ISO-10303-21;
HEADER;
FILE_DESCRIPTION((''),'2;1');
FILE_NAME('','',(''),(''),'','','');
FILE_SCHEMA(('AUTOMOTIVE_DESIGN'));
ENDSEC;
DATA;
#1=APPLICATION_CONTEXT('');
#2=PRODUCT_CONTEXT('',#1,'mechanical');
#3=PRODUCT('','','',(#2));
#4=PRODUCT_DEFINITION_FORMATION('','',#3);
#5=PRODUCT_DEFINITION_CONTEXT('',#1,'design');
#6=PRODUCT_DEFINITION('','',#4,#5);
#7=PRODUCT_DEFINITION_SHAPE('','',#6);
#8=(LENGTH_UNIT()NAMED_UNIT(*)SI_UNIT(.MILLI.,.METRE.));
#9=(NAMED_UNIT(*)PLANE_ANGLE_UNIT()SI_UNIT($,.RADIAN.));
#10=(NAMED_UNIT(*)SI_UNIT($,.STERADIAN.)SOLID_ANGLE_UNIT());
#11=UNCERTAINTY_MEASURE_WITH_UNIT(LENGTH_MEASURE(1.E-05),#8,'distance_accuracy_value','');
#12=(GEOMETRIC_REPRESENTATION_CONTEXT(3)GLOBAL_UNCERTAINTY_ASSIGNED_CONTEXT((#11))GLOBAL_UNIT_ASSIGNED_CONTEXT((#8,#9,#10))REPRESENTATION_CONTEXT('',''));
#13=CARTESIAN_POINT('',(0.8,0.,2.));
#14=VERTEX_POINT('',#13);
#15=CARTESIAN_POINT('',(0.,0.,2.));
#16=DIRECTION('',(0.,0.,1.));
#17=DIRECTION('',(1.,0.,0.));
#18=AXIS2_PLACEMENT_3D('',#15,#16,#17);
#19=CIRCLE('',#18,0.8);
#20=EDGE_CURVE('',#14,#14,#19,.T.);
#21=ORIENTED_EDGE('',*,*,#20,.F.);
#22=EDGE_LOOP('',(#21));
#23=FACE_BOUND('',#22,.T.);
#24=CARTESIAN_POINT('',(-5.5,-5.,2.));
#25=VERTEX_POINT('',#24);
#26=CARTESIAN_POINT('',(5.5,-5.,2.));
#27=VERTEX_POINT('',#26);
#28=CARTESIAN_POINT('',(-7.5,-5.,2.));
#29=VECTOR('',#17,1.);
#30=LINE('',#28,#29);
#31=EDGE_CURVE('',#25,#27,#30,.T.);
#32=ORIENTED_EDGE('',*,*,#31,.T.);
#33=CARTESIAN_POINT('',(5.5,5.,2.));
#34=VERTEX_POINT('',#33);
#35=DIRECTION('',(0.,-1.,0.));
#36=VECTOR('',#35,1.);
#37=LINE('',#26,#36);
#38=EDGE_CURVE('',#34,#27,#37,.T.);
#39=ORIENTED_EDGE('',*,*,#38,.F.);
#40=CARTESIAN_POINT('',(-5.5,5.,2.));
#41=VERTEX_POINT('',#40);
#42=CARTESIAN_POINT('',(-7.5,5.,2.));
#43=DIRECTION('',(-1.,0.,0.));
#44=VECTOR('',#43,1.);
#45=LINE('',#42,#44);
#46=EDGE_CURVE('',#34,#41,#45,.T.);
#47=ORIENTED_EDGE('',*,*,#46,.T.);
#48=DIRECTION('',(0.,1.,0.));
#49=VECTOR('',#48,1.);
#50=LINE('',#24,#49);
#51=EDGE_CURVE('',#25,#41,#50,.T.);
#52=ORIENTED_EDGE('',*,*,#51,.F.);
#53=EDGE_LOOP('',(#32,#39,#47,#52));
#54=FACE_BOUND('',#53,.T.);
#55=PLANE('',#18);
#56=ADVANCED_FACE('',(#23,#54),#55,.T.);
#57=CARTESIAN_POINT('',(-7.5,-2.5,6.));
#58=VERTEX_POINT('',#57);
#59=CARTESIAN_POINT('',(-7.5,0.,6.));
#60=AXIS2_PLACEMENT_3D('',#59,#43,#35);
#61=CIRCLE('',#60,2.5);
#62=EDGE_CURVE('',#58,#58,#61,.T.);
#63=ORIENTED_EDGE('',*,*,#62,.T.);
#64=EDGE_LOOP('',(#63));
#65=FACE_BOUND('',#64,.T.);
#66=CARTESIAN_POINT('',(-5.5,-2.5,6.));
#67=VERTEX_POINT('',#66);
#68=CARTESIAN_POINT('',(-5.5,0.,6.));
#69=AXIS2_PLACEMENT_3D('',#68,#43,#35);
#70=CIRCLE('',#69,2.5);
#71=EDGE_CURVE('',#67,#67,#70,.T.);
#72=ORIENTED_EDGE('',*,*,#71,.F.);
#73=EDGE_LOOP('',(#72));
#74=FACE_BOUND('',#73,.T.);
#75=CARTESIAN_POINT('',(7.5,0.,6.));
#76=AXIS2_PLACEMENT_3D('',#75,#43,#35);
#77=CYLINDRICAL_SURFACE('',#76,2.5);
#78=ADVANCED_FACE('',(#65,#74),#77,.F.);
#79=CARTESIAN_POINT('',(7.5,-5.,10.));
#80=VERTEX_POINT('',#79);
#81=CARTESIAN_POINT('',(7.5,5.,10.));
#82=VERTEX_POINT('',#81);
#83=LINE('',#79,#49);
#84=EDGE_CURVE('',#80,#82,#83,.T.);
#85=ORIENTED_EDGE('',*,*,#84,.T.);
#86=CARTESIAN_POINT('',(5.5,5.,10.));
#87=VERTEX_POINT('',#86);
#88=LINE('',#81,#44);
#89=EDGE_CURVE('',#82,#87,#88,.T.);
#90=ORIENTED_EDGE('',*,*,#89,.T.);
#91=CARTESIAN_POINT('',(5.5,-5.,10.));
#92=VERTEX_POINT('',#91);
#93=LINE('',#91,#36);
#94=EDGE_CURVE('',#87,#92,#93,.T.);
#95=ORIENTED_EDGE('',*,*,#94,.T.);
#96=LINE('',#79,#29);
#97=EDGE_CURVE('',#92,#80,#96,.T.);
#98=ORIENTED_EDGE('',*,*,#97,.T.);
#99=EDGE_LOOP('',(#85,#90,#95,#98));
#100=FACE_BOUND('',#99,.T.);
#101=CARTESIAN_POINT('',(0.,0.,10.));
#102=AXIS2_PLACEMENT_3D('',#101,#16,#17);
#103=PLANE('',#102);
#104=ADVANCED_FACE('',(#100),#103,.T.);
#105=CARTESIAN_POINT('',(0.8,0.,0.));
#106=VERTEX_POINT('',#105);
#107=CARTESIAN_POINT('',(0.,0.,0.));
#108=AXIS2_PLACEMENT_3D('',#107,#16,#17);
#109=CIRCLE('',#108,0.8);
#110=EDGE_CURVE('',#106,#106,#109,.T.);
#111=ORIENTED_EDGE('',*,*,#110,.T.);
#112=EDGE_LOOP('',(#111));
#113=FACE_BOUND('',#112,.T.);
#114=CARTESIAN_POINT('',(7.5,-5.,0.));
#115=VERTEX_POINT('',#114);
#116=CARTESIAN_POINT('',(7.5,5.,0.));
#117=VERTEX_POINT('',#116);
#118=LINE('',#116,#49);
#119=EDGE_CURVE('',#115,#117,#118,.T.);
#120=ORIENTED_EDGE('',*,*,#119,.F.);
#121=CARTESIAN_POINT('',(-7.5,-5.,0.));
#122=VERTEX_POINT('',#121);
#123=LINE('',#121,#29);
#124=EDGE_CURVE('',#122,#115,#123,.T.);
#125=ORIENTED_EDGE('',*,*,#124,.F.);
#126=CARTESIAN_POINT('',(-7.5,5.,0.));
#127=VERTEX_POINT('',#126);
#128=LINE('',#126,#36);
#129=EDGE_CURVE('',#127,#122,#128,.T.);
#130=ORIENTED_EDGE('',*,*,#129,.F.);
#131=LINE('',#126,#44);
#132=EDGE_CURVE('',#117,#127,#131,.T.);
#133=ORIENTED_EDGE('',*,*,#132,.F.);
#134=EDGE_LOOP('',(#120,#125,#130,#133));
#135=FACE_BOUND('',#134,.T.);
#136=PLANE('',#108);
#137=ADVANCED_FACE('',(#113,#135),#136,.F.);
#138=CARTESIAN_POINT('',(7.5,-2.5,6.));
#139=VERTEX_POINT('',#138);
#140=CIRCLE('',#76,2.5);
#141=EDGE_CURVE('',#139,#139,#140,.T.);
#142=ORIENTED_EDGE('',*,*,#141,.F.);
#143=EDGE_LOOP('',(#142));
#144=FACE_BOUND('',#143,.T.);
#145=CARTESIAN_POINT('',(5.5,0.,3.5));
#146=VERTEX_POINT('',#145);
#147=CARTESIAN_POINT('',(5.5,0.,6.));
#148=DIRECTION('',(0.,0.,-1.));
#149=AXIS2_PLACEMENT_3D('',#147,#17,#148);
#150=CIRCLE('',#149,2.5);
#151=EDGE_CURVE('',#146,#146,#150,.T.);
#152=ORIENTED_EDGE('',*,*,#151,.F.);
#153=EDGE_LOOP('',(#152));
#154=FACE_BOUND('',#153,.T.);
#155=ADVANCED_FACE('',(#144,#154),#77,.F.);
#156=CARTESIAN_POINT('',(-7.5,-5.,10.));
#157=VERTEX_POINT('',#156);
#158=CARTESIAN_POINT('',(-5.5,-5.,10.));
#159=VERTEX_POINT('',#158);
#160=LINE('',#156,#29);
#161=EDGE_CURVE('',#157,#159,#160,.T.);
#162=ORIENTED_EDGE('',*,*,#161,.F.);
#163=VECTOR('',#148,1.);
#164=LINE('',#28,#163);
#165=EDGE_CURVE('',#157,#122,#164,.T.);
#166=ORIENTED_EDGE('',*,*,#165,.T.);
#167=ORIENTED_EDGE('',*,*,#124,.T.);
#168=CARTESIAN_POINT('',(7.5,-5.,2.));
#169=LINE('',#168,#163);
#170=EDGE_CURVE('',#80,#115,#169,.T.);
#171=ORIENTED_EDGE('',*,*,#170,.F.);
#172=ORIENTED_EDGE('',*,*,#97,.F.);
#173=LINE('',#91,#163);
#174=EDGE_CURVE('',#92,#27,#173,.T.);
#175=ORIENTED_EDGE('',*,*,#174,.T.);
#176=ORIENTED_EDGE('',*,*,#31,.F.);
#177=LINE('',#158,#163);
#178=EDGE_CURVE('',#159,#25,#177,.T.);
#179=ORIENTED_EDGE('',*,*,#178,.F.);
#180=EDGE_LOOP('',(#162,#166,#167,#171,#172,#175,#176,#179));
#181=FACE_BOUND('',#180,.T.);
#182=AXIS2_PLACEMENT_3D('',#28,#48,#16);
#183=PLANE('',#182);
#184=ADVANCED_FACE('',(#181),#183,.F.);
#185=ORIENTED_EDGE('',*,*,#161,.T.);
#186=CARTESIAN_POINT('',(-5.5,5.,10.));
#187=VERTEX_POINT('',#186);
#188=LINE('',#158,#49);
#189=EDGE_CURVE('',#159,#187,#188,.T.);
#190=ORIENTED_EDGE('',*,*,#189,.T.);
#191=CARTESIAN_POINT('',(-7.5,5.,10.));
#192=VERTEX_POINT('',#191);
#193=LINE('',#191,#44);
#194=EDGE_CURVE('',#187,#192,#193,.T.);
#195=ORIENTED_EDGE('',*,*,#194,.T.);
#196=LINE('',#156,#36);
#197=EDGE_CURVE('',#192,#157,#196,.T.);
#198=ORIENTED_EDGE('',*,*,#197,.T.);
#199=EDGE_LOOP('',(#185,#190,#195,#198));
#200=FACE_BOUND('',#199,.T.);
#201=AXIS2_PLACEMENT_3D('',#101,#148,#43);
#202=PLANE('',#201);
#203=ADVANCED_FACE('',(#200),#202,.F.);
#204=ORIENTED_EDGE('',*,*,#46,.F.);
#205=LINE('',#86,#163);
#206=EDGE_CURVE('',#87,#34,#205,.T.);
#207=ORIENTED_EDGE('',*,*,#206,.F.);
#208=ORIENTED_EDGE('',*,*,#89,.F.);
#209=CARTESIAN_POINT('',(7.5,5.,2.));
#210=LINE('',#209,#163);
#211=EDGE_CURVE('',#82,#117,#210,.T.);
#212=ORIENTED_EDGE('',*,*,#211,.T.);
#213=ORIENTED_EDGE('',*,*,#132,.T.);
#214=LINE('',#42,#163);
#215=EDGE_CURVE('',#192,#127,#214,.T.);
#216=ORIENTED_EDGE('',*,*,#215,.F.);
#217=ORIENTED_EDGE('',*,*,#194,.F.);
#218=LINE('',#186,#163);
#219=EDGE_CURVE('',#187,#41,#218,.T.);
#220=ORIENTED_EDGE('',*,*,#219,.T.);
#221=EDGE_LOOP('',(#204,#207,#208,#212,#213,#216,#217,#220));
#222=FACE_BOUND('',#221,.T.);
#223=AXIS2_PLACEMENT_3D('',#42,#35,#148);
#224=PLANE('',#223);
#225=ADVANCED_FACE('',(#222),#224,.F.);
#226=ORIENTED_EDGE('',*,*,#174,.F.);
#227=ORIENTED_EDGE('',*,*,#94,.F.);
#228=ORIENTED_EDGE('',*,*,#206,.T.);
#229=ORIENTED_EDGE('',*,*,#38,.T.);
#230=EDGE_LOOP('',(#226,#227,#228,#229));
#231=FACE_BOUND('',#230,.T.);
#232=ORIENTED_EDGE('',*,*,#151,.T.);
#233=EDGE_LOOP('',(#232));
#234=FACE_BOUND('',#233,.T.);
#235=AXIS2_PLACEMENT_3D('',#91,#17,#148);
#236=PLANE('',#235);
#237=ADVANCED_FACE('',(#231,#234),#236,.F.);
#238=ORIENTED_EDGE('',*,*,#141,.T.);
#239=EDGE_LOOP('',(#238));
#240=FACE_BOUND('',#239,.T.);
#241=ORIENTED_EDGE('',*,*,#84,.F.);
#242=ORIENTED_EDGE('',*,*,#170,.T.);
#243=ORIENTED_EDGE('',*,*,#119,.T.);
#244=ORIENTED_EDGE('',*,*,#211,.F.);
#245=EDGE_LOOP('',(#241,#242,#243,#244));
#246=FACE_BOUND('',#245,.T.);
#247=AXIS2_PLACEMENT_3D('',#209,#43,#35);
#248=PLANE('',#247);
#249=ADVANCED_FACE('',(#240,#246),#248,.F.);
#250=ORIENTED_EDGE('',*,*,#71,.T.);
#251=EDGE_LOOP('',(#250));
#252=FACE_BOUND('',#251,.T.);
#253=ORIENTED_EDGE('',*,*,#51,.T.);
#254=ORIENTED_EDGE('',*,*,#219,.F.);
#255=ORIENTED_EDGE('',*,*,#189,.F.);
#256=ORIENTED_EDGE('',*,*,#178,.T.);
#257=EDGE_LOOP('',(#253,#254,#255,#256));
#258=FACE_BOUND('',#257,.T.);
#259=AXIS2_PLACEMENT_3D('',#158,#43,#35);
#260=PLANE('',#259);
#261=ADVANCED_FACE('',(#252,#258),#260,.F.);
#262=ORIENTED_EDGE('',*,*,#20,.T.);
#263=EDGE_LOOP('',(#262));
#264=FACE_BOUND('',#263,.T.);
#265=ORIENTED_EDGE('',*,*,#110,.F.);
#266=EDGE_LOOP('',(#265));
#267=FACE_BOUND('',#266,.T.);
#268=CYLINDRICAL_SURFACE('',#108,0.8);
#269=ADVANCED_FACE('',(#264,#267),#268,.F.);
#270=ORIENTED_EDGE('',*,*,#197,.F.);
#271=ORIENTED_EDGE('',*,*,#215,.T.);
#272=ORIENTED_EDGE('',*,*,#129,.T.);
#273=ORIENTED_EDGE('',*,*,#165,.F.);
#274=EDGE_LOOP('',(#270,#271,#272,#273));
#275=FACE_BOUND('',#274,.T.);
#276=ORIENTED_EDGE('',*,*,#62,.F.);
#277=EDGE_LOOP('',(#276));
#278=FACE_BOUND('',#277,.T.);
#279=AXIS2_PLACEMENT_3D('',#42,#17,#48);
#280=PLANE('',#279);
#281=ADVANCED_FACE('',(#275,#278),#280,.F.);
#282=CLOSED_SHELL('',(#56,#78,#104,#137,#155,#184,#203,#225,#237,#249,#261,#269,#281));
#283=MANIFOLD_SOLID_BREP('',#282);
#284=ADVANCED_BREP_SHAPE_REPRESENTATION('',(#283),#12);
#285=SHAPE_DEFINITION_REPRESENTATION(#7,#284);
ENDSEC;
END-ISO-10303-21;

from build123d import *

# Parameters (mm, degrees)
SKETCH1_W           = 15
SKETCH1_H           = 10
BOSS_EXTRUDE1_DEPTH = 2
SKETCH2_W           = 2
SKETCH2_H           = 10
BOSS_EXTRUDE2_DEPTH = 8
SKETCH3_R           = 2.5
CUT_EXTRUDE1_DEPTH  = 19.708286934
SKETCH4_R           = 0.8
CUT_EXTRUDE2_DEPTH  = 13.051970793


with BuildPart() as part:
    # Sketch1 → Boss-Extrude1 (new body)
    with BuildSketch(Plane.XY):
        Rectangle(SKETCH1_W, SKETCH1_H)
    extrude(amount=BOSS_EXTRUDE1_DEPTH)

    # Sketch2 → Boss-Extrude2 (add)
    with BuildSketch(Plane.XY.offset(2)):
        with Locations((-6.5, 0)):
            Rectangle(SKETCH2_W, SKETCH2_H)
        with Locations((6.5, 0)):
            Rectangle(SKETCH2_W, SKETCH2_H)
    extrude(amount=BOSS_EXTRUDE2_DEPTH)

    # Sketch3 → Cut-Extrude1 (cut, through all)
    with BuildSketch(Plane.ZY.offset(7.5)):
        with Locations(Location((6, 0, 0), (0, 0, 270))):
            Circle(SKETCH3_R)
    extrude(amount=-CUT_EXTRUDE1_DEPTH, mode=Mode.SUBTRACT)

    # Sketch4 → Cut-Extrude2 (cut, through all)
    with BuildSketch(Plane.XY.offset(2)):
        Circle(SKETCH4_R)
    extrude(amount=-CUT_EXTRUDE2_DEPTH, mode=Mode.SUBTRACT)


solid = part.part
